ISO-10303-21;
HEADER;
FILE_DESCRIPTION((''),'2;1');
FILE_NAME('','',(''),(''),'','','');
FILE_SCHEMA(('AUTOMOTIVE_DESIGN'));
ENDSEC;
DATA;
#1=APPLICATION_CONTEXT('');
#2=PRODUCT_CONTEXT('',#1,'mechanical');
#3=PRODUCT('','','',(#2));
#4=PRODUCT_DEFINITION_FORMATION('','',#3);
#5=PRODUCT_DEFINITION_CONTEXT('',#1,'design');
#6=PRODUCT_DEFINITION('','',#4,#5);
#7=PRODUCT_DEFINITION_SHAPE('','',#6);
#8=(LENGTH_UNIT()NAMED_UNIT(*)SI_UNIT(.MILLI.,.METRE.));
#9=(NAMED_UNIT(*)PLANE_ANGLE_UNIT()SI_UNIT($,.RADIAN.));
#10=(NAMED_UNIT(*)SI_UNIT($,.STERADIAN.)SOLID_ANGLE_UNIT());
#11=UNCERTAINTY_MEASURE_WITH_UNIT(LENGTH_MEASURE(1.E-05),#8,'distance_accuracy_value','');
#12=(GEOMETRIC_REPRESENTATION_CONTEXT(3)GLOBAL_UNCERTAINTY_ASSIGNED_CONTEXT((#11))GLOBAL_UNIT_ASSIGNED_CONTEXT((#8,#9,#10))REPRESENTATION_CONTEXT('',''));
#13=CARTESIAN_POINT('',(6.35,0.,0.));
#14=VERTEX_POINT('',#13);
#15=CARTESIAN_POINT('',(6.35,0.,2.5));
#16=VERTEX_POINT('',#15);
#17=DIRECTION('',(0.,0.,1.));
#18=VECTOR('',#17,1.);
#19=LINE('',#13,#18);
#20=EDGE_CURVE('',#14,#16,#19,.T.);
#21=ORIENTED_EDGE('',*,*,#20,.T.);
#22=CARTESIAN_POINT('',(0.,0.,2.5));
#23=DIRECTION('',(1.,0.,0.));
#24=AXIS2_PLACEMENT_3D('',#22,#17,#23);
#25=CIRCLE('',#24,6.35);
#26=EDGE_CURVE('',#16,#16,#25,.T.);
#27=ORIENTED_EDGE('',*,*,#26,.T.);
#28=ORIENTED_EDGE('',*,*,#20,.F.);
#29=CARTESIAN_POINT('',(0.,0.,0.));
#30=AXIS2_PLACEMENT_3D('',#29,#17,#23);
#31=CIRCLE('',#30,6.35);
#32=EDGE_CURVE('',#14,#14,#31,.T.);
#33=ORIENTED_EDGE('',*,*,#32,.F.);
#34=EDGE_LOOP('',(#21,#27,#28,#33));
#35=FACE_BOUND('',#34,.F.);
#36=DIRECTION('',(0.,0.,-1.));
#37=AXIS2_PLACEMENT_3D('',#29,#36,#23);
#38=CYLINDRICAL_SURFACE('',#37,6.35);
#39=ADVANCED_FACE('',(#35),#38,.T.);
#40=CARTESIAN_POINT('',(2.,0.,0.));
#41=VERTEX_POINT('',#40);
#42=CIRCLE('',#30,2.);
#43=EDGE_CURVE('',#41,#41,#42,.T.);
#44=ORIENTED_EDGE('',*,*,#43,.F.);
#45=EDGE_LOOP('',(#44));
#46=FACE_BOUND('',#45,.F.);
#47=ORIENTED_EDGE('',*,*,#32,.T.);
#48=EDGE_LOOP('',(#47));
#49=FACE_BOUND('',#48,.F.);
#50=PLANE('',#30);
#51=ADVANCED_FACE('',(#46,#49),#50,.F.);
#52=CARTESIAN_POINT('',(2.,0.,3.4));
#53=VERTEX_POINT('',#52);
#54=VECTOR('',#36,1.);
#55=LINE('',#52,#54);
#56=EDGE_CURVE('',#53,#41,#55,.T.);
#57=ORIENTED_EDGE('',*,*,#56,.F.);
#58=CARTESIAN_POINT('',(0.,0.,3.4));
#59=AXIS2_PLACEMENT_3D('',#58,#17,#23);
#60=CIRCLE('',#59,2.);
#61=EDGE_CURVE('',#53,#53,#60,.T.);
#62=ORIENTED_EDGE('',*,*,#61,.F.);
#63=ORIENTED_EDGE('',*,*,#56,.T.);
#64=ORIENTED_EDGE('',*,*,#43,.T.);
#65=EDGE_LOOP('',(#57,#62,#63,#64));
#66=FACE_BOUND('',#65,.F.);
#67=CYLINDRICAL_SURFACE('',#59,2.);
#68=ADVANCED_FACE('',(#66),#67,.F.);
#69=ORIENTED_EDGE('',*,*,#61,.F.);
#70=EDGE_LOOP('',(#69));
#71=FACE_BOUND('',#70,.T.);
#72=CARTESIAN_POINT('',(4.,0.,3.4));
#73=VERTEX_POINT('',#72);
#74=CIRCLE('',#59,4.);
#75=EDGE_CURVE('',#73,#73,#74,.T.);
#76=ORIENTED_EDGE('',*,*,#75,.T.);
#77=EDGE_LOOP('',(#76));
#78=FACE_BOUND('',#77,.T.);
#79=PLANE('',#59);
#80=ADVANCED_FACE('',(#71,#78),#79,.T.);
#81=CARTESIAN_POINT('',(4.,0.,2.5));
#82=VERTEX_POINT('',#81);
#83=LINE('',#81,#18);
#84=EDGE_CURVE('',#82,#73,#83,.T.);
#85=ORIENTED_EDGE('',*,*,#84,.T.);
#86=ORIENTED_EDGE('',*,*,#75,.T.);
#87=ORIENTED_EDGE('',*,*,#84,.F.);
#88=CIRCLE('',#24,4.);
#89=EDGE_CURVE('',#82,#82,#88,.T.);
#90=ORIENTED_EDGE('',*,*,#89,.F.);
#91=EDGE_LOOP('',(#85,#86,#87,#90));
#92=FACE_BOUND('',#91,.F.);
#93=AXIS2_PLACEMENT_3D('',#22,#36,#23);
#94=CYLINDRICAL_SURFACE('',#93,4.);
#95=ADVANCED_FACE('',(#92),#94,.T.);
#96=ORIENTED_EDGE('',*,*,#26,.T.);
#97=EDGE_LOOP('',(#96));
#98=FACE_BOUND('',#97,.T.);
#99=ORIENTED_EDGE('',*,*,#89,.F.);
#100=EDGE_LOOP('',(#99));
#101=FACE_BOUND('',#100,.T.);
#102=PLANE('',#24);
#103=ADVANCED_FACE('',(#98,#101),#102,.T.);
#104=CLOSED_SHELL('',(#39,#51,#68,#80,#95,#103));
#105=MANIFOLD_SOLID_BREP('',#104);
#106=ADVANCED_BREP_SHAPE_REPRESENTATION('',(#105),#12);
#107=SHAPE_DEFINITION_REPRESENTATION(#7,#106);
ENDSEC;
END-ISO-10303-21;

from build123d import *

# Parameters (mm, degrees)
F0_R     = 6.35
F1_DEPTH = 2.5
F2_R     = 4
F3_DEPTH = 0.9
F4_R     = 2
F5_DEPTH = 3.401


with BuildPart() as f1:
    # F0 (on Top) → F1 (new body)
    with BuildSketch(Plane.XY):
        Circle(F0_R)
    extrude(amount=F1_DEPTH)

    # F2 (on face) → F3 (join)
    with BuildSketch(Plane.XY.offset(2.5)):
        Circle(F2_R)
    extrude(amount=F3_DEPTH)

    # F4 (on face) → F5 (cut, through all)
    with BuildSketch(Plane.XY.offset(3.4)):
        Circle(F4_R)
    extrude(amount=-F5_DEPTH, mode=Mode.SUBTRACT)


solid = f1.part
